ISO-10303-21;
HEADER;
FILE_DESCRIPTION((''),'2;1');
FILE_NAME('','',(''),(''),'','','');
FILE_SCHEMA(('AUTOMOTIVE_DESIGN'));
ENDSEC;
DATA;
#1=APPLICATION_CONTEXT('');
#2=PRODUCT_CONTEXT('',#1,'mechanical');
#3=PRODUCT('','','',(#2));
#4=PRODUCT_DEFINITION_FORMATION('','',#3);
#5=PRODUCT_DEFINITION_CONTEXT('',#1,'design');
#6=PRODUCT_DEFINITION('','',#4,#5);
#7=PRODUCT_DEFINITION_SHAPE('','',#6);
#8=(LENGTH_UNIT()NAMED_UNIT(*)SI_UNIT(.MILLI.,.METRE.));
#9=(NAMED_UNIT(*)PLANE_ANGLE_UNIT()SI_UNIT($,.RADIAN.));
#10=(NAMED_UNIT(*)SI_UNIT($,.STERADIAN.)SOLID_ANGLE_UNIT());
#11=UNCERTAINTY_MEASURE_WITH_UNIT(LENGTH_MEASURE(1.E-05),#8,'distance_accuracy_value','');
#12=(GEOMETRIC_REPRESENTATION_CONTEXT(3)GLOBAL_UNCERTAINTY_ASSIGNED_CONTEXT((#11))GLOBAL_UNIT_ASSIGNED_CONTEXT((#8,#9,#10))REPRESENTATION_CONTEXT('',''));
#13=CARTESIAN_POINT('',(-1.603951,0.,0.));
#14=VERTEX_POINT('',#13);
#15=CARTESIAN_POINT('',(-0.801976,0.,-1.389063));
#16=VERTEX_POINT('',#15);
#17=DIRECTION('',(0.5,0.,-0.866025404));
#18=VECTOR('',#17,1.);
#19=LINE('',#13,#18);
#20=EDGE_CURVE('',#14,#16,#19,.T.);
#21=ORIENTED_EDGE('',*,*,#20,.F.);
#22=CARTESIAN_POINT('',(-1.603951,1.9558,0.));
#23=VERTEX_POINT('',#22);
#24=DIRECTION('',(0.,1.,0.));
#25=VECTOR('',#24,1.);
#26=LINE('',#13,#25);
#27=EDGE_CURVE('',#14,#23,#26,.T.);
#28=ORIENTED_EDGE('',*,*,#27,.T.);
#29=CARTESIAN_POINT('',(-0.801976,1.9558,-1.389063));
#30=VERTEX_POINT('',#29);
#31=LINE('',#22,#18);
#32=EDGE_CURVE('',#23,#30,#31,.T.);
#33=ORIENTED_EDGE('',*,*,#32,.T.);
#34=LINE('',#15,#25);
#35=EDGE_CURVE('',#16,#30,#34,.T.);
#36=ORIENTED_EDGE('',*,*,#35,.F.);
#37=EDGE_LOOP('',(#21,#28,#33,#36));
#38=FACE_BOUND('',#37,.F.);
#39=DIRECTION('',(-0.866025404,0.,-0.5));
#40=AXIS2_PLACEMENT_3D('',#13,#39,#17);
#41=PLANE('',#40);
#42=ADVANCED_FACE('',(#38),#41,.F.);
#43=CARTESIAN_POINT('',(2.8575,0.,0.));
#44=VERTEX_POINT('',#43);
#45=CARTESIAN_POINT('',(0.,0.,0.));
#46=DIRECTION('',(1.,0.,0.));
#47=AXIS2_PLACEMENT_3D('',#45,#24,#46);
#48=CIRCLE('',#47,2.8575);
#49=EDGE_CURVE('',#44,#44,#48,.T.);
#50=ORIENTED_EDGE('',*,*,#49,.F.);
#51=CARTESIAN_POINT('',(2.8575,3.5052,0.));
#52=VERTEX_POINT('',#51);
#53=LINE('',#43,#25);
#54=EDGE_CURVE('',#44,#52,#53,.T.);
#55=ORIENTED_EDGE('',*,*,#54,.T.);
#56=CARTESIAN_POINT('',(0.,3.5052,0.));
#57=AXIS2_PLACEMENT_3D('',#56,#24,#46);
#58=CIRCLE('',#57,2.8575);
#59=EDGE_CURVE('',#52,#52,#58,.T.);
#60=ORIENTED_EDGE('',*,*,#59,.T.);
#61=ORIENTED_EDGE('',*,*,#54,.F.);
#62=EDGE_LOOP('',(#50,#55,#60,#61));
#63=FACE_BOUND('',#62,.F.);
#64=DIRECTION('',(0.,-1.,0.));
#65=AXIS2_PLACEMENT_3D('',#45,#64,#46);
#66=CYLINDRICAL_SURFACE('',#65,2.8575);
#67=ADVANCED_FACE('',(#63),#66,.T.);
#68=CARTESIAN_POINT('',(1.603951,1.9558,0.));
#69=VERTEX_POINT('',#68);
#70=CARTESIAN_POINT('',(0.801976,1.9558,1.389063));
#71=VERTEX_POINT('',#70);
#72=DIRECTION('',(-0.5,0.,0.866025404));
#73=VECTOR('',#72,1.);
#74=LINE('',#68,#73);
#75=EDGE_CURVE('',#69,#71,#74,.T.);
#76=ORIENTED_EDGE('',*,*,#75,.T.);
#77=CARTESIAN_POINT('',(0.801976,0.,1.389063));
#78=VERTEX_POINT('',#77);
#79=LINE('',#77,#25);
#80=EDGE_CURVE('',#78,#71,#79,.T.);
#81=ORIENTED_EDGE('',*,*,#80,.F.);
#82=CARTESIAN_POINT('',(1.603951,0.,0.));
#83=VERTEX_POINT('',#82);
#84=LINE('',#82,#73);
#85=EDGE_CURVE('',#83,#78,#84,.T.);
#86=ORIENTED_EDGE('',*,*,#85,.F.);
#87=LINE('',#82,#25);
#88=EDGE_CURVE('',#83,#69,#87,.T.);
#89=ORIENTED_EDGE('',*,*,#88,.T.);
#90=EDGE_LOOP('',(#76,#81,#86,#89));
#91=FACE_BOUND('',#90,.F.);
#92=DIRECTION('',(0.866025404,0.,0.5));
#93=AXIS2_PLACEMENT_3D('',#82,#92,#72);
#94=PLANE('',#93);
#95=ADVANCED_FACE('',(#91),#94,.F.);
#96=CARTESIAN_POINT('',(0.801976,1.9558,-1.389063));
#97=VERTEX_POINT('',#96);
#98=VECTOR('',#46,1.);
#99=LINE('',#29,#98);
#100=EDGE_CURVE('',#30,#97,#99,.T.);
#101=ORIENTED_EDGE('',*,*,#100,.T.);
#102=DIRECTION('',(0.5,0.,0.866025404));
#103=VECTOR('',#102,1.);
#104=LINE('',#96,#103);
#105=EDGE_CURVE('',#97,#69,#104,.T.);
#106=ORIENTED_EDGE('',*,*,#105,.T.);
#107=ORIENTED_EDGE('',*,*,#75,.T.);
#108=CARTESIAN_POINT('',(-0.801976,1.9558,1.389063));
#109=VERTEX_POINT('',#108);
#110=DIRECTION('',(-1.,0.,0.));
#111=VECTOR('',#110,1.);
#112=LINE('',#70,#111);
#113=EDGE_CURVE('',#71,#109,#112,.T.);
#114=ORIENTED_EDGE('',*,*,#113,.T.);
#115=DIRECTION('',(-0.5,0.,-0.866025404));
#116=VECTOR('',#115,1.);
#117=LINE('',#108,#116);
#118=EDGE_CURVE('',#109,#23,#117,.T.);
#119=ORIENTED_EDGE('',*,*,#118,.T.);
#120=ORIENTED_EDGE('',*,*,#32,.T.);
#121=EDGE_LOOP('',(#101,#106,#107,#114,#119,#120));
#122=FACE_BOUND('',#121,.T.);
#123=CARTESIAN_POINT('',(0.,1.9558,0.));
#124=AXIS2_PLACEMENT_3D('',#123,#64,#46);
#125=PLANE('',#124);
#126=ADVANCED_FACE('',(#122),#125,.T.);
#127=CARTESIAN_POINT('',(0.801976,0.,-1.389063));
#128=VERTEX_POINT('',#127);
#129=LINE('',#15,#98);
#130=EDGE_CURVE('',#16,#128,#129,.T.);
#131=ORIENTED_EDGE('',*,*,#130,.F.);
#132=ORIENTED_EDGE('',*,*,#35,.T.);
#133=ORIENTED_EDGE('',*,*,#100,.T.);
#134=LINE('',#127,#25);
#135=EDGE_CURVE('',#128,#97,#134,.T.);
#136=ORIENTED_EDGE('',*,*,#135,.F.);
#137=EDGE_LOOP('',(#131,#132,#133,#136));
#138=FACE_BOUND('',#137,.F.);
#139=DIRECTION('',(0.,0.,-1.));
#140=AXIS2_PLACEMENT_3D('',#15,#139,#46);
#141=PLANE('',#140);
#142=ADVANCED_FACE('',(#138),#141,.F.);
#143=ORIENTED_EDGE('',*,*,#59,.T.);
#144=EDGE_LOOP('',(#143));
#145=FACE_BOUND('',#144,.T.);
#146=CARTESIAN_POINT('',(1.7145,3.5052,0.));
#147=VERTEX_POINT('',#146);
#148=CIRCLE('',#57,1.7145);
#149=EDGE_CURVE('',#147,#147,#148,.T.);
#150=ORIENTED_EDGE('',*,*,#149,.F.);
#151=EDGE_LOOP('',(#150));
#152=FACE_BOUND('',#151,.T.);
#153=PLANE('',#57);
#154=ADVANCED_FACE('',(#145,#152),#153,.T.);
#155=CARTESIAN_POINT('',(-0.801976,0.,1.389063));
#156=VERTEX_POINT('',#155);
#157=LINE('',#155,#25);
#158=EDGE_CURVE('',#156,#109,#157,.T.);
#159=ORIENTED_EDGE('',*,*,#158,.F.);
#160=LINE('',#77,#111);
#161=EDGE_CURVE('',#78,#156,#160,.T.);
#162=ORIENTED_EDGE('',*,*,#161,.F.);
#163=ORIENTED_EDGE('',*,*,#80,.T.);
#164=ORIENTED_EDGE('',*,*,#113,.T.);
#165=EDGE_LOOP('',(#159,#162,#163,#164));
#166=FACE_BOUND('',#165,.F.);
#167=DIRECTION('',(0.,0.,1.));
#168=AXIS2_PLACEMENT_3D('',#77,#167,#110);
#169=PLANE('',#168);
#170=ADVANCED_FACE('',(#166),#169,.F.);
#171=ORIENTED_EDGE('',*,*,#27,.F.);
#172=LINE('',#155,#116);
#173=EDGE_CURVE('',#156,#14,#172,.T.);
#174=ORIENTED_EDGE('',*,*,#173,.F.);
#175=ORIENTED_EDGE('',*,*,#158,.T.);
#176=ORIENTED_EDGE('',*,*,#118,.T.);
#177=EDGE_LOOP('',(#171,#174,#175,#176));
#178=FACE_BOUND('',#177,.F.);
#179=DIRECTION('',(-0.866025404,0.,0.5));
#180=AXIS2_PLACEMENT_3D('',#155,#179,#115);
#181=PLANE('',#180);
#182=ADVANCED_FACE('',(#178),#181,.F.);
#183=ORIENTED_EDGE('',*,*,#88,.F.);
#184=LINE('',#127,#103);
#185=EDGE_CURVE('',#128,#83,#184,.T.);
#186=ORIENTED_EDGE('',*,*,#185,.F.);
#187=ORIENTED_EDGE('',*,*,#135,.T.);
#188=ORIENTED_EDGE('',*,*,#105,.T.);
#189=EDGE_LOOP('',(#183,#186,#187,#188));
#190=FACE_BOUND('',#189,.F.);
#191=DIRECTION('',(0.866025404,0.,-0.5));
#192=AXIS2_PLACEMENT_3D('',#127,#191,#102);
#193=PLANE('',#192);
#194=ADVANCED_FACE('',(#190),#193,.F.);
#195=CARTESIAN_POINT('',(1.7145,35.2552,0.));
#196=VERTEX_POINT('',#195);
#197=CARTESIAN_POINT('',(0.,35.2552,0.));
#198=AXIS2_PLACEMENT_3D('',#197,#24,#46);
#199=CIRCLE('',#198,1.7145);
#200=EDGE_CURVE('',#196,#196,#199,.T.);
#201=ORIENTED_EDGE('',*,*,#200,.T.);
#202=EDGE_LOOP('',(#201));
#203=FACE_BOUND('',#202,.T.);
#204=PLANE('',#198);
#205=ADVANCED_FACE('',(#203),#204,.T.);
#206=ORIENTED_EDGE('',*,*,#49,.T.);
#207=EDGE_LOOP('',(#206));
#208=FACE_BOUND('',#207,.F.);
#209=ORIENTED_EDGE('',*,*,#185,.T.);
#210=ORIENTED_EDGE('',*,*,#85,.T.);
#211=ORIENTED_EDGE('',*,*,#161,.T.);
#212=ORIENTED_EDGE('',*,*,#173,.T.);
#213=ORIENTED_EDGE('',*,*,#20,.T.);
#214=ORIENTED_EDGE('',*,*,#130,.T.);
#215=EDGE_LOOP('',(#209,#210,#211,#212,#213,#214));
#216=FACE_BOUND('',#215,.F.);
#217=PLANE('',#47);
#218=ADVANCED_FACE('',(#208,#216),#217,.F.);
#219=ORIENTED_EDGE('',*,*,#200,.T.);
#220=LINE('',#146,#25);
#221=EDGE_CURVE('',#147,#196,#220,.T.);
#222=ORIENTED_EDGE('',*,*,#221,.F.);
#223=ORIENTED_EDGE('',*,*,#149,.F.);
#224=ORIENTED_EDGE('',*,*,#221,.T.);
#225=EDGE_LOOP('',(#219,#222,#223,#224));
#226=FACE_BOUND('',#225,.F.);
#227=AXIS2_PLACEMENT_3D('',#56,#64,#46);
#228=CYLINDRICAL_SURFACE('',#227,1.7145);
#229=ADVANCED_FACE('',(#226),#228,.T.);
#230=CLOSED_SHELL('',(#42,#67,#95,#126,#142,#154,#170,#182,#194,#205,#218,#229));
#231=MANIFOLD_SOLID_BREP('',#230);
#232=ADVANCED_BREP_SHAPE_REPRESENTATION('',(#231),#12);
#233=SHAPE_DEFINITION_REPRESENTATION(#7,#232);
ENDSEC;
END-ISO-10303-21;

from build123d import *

# Parameters (mm, degrees)
SKETCH1_R           = 2.8575
BOSS_EXTRUDE1_DEPTH = 3.5052
CUT_EXTRUDE1_DEPTH  = 1.9558
SKETCH3_R           = 1.7145
BOSS_EXTRUDE2_DEPTH = 31.75


with BuildPart() as part:
    # Sketch1 → Boss-Extrude1 (new body)
    with BuildSketch(Plane(origin=(0, 0, 0), x_dir=(1, 0, 0), z_dir=(0, 1, 0))):
        Circle(SKETCH1_R)
    extrude(amount=BOSS_EXTRUDE1_DEPTH)

    # Sketch2 → Cut-Extrude1 (cut)
    with BuildSketch(Plane.XZ):
        Polygon((1.603951217, 0), (0.801975608, 1.3890625), (-0.801975608, 1.3890625), (-1.603951217, 0), (-0.801975608, -1.3890625), (0.801975608, -1.3890625), align=None)
    extrude(amount=-CUT_EXTRUDE1_DEPTH, mode=Mode.SUBTRACT)

    # Sketch3 → Boss-Extrude2 (add)
    with BuildSketch(Plane(origin=(0, 3.5052, 0), x_dir=(1, 0, 0), z_dir=(0, 1, 0))):
        Circle(SKETCH3_R)
    extrude(amount=BOSS_EXTRUDE2_DEPTH)


solid = part.part
